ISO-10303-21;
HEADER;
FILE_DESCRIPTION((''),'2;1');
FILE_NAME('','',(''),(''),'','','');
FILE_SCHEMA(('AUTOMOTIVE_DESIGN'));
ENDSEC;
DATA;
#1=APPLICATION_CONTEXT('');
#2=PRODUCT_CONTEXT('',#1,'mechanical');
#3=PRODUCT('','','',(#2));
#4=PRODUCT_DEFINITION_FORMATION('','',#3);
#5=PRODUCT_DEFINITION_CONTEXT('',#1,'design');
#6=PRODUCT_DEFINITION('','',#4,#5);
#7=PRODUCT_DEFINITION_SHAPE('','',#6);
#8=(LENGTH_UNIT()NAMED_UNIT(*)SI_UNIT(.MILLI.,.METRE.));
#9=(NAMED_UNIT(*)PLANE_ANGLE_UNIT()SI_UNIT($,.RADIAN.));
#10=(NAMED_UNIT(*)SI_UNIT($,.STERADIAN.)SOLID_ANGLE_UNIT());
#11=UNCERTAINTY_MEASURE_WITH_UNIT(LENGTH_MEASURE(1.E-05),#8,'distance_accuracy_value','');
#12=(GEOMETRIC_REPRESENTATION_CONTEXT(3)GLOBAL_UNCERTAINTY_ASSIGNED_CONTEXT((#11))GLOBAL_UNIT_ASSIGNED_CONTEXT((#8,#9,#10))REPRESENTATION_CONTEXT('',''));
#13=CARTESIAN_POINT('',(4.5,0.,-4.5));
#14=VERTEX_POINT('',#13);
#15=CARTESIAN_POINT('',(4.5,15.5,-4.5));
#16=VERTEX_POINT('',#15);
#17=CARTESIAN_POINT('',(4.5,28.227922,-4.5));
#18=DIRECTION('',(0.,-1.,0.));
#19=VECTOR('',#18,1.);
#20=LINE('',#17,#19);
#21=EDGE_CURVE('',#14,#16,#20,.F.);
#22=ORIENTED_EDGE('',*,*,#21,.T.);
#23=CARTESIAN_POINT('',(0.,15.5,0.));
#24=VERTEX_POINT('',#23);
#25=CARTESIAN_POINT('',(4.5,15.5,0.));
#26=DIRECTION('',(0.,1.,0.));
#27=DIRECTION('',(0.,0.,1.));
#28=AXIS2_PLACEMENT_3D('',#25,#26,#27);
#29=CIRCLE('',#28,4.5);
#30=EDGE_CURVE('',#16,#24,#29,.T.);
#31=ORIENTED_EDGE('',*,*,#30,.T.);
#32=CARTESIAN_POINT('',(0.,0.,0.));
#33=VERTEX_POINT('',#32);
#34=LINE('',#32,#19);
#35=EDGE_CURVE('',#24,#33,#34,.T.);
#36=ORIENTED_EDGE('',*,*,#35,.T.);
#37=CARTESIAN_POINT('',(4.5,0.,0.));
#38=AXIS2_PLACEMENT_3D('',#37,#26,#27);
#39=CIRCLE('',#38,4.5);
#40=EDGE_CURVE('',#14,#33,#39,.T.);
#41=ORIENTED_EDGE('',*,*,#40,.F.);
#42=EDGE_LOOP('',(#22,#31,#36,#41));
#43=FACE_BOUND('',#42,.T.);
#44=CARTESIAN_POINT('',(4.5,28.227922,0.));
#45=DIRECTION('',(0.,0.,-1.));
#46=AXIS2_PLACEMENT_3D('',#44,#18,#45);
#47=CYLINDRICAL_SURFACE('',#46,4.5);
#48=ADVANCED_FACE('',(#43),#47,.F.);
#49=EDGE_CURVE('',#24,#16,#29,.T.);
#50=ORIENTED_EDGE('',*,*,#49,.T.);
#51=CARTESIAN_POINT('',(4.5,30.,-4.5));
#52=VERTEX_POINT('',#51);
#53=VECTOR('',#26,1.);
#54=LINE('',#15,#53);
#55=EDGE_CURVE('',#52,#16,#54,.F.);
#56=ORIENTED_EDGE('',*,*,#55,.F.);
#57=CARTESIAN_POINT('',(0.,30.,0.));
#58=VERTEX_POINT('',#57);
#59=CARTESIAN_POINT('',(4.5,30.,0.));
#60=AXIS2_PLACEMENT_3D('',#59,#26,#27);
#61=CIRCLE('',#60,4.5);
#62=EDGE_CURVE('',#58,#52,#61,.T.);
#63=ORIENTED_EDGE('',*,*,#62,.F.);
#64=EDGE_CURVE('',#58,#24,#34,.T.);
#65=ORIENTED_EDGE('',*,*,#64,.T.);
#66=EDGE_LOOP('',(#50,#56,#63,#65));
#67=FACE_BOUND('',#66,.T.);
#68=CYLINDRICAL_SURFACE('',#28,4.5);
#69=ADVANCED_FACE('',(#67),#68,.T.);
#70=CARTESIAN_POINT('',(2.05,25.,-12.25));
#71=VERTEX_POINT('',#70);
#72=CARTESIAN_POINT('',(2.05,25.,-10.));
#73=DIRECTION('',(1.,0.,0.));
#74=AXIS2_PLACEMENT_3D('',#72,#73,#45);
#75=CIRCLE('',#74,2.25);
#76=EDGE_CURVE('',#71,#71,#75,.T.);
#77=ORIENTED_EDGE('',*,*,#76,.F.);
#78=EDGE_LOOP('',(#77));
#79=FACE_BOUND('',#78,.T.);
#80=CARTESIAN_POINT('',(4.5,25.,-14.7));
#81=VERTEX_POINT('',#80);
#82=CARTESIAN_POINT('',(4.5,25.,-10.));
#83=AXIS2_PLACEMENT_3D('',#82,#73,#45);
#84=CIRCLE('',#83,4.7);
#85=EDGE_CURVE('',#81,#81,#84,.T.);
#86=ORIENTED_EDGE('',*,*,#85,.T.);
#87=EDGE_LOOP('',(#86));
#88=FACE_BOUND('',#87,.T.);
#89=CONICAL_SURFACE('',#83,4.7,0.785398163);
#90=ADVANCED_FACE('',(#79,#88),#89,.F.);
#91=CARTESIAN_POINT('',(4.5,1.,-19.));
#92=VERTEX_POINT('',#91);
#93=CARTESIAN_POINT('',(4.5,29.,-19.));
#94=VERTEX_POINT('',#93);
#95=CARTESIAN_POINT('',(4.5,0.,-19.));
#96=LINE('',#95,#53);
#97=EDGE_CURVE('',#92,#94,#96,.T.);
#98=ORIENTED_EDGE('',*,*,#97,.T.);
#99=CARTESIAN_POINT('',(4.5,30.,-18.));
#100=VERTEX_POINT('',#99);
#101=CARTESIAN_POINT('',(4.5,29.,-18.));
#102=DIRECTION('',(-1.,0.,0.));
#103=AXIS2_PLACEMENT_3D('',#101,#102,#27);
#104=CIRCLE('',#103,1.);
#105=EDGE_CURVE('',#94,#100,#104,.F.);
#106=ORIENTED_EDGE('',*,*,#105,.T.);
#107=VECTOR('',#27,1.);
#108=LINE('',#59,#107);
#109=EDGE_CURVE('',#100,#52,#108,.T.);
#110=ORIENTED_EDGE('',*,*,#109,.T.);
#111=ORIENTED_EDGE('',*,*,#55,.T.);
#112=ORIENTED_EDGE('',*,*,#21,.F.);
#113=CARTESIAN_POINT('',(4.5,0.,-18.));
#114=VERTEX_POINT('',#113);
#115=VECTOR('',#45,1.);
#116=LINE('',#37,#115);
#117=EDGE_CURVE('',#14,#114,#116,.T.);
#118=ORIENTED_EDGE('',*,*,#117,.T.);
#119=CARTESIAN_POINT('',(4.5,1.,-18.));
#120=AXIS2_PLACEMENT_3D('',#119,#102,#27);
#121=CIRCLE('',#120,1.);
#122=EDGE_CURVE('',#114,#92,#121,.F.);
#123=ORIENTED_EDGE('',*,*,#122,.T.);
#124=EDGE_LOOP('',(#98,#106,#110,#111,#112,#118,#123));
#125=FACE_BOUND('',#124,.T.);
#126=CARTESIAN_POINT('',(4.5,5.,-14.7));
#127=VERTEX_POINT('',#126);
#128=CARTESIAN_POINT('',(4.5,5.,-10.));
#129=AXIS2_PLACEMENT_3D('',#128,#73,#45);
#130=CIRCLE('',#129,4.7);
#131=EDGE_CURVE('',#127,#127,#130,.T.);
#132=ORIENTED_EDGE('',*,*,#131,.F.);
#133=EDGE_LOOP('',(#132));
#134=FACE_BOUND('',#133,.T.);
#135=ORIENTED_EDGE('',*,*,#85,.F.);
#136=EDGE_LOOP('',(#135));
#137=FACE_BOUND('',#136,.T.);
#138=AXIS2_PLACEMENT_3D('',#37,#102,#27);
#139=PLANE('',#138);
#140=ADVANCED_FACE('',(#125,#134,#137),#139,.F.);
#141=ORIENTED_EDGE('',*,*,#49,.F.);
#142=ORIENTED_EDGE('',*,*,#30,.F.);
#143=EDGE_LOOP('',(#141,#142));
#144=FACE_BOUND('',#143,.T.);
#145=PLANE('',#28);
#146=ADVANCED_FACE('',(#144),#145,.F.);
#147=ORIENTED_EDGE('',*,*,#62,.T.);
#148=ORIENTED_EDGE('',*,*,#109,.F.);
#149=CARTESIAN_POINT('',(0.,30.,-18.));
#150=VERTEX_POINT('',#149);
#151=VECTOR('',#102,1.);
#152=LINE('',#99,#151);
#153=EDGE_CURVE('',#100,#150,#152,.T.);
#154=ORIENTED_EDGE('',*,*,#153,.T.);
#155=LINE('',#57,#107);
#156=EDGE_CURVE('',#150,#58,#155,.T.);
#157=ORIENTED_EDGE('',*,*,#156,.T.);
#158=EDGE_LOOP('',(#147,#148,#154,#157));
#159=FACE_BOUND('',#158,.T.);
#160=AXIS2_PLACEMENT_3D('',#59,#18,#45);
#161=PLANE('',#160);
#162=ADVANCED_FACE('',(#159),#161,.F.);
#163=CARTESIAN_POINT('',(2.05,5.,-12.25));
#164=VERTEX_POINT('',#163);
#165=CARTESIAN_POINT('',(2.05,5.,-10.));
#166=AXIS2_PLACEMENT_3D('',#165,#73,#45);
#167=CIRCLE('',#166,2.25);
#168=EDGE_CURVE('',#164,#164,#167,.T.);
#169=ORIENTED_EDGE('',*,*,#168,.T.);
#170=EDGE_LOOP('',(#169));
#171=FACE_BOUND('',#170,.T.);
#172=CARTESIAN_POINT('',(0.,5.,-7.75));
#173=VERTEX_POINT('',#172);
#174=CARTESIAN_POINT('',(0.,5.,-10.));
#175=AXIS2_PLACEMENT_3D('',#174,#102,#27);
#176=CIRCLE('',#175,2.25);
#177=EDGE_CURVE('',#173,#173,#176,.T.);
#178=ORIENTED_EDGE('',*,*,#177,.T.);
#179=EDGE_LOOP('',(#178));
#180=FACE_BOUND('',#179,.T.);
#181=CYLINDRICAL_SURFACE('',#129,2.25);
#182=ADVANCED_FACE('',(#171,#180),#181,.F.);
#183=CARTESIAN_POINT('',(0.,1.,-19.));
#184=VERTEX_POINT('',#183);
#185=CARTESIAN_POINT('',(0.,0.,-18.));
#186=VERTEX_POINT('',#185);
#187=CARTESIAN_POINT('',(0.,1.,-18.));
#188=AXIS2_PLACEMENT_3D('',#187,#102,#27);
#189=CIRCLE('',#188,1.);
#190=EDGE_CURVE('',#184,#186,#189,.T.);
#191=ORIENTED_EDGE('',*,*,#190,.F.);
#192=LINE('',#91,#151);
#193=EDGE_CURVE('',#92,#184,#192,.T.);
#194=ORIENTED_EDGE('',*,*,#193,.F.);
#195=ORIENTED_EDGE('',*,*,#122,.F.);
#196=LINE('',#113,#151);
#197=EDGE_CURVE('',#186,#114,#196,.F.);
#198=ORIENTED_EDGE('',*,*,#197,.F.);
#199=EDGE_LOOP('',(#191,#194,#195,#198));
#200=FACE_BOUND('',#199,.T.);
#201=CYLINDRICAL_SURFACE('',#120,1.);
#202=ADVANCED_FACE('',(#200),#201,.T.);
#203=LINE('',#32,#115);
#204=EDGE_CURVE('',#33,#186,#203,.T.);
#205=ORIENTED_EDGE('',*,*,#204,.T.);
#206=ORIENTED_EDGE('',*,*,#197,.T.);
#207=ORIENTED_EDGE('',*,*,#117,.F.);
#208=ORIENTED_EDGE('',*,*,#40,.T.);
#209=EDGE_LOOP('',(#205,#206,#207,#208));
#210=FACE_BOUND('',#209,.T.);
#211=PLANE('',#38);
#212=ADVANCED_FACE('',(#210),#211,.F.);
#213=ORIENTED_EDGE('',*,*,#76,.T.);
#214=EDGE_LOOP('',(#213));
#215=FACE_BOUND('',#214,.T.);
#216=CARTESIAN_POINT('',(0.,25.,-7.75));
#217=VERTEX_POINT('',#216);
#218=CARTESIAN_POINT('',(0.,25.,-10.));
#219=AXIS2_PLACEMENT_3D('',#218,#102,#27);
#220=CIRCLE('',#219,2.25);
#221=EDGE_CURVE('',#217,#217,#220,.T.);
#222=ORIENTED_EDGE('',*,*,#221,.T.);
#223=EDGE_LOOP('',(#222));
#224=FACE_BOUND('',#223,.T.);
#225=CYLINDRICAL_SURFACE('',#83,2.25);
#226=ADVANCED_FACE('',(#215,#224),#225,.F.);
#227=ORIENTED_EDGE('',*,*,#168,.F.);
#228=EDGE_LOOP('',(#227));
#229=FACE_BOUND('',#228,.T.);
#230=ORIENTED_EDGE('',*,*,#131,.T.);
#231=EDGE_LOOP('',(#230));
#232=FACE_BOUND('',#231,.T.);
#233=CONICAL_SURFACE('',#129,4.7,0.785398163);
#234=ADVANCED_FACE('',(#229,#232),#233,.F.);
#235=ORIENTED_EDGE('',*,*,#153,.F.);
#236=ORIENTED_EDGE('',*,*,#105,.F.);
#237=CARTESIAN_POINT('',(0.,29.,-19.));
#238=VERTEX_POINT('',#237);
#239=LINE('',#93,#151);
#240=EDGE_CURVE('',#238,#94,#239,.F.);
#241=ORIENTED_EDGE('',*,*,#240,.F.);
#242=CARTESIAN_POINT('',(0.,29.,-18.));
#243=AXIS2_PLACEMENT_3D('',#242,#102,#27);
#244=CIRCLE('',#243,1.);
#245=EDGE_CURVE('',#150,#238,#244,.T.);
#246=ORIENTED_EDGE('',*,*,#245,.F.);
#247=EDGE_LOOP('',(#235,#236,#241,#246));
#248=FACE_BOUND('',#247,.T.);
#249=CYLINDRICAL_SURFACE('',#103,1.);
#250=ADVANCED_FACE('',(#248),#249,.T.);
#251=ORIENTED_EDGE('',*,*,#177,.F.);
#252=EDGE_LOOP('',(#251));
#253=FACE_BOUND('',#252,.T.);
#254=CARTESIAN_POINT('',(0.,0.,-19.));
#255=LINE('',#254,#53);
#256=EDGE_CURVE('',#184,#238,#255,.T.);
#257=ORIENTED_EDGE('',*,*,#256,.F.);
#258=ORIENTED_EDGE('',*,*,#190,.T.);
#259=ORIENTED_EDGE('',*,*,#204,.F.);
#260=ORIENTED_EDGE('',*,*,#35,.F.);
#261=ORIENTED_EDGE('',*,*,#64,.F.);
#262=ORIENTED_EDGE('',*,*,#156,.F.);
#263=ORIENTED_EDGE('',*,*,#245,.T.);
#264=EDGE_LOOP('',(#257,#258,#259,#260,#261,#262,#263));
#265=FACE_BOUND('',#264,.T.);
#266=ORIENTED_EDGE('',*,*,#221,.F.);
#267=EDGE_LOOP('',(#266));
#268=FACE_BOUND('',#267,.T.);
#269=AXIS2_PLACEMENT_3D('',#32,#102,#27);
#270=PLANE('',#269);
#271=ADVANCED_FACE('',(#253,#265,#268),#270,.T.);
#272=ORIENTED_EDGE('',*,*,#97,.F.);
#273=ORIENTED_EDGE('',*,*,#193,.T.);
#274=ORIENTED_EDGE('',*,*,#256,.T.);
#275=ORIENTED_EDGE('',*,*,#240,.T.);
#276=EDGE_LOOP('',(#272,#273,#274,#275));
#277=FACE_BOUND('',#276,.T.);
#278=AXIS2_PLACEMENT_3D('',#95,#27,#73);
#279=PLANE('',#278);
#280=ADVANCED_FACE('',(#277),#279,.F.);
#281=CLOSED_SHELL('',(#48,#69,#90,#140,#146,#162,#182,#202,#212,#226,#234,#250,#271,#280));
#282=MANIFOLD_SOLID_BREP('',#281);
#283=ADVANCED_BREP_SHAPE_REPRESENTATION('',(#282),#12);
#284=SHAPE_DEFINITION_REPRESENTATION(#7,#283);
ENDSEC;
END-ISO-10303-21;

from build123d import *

# Parameters (mm, degrees)
SKETCH1_W                                    = 19
SKETCH1_H                                    = 30
PLATE_DEPTH                                  = 4.5
SKETCH2_R                                    = 4.5
CYLINDER_DEPTH                               = 14.5
CLEARANCE_START                              = -14.5
SKETCH2_2_R                                  = 4.5
CLEARANCE_DEPTH                              = 15.5
FILLET1_R                                    = 1
CSK_FOR_M4_COUNTERSUNK_FLAT_HEAD_SCR_2_COUNT = 2
CSK_FOR_M4_COUNTERSUNK_FLAT_HEAD_SCR_2_PITCH = 20


with BuildPart() as part:
    # Sketch1 → Plate (new body)
    with BuildSketch(Plane(origin=(0, 0, 0), x_dir=(0, 0, -1), z_dir=(1, 0, 0))):
        with Locations((9.5, 15)):
            Rectangle(SKETCH1_W, SKETCH1_H)
    extrude(amount=PLATE_DEPTH)

    # Sketch2 → Cylinder (add)
    with BuildSketch(Plane(origin=(0, 30, 0), x_dir=(1, 0, 0), z_dir=(0, 1, 0))):
        with Locations((4.5, 0)):
            Circle(SKETCH2_R)
    extrude(amount=-CYLINDER_DEPTH)

    # Sketch2<2> → Clearance (cut)
    with BuildSketch(Plane(origin=(0, 30, 0), x_dir=(1, 0, 0), z_dir=(0, 1, 0)).offset(CLEARANCE_START)):
        with Locations((4.5, 0)):
            Circle(SKETCH2_2_R)
    extrude(amount=-CLEARANCE_DEPTH, mode=Mode.SUBTRACT)

    # Fillet1
    fillet1_edges = [part.edges().sort_by_distance(p)[0] for p in [
        (2.25, 30, -19),
        (2.25, 0, -19),
    ]]
    fillet(fillet1_edges, radius=FILLET1_R)

    # Sketch4 → CSK for M4 Countersunk Flat Head Screw1 (revolve, cut)
    with BuildSketch(Plane(origin=(4.5, 25, -10), x_dir=(0, 0, -1), z_dir=(0, 1, 0))):
        Polygon((0, 0), (0, 4.5), (2.25, 4.5), (2.25, 2.45), (4.7, 0), align=None)
    csk_for_m4_countersunk_flat_head_screw1 = revolve(axis=Axis((10.85, 25, -10), (-1, 0, 0)), mode=Mode.SUBTRACT)

    # CSK for M4 Countersunk Flat Head Scr 2: CSK for M4 Countersunk Flat Head Screw1 ×2
    with Locations(*[(0, -i * CSK_FOR_M4_COUNTERSUNK_FLAT_HEAD_SCR_2_PITCH, 0) for i in range(1, CSK_FOR_M4_COUNTERSUNK_FLAT_HEAD_SCR_2_COUNT)]):
        add(csk_for_m4_countersunk_flat_head_screw1, mode=Mode.SUBTRACT)


solid = part.part
